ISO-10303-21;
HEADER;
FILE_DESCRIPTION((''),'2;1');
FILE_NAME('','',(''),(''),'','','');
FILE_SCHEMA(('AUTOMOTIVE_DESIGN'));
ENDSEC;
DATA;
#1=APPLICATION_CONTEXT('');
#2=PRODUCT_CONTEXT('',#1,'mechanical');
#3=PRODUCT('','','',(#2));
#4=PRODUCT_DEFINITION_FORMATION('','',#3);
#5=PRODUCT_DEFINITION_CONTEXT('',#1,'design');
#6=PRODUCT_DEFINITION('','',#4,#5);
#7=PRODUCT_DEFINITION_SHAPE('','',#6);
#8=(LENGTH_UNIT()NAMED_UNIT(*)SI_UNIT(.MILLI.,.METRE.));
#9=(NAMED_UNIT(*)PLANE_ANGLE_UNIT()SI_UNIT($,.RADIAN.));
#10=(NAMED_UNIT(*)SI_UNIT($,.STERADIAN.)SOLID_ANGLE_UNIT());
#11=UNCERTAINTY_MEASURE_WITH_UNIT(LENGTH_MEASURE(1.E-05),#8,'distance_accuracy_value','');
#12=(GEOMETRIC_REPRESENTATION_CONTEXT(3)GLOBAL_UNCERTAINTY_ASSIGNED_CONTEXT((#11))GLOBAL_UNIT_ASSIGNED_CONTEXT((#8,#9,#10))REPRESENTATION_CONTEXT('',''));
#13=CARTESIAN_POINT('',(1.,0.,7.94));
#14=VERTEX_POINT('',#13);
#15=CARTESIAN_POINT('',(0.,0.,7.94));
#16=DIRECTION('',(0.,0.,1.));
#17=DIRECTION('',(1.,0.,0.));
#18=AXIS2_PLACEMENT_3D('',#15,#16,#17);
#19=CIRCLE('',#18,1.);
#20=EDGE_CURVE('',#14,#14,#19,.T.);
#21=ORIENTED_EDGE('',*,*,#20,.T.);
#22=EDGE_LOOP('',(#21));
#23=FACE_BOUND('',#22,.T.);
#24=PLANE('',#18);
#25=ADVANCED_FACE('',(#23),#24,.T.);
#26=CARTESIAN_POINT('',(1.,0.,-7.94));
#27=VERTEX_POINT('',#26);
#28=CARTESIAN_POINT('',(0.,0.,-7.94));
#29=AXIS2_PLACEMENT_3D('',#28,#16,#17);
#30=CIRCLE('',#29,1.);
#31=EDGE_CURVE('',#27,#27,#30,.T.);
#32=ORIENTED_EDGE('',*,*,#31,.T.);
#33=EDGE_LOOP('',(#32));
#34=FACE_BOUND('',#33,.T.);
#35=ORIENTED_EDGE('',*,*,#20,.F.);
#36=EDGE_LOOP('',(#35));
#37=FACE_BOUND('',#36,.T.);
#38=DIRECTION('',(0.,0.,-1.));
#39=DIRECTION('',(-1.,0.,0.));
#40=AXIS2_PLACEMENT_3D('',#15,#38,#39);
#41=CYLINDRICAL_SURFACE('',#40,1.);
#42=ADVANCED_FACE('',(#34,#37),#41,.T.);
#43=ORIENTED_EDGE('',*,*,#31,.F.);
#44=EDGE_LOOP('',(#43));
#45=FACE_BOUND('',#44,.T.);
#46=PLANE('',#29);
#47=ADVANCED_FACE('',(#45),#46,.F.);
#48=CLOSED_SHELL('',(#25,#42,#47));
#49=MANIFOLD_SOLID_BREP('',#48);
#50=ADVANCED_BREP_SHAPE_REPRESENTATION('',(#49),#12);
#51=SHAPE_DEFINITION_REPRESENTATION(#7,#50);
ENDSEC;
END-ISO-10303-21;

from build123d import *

# Parameters (mm, degrees)
SKETCH2_R           = 1
BOSS_EXTRUDE1_DEPTH = 7.94


with BuildPart() as part:
    # Sketch2 → Boss-Extrude1 (new body, symmetric)
    with BuildSketch(Plane.XY):
        Circle(SKETCH2_R)
    extrude(amount=BOSS_EXTRUDE1_DEPTH, both=True)


solid = part.part
